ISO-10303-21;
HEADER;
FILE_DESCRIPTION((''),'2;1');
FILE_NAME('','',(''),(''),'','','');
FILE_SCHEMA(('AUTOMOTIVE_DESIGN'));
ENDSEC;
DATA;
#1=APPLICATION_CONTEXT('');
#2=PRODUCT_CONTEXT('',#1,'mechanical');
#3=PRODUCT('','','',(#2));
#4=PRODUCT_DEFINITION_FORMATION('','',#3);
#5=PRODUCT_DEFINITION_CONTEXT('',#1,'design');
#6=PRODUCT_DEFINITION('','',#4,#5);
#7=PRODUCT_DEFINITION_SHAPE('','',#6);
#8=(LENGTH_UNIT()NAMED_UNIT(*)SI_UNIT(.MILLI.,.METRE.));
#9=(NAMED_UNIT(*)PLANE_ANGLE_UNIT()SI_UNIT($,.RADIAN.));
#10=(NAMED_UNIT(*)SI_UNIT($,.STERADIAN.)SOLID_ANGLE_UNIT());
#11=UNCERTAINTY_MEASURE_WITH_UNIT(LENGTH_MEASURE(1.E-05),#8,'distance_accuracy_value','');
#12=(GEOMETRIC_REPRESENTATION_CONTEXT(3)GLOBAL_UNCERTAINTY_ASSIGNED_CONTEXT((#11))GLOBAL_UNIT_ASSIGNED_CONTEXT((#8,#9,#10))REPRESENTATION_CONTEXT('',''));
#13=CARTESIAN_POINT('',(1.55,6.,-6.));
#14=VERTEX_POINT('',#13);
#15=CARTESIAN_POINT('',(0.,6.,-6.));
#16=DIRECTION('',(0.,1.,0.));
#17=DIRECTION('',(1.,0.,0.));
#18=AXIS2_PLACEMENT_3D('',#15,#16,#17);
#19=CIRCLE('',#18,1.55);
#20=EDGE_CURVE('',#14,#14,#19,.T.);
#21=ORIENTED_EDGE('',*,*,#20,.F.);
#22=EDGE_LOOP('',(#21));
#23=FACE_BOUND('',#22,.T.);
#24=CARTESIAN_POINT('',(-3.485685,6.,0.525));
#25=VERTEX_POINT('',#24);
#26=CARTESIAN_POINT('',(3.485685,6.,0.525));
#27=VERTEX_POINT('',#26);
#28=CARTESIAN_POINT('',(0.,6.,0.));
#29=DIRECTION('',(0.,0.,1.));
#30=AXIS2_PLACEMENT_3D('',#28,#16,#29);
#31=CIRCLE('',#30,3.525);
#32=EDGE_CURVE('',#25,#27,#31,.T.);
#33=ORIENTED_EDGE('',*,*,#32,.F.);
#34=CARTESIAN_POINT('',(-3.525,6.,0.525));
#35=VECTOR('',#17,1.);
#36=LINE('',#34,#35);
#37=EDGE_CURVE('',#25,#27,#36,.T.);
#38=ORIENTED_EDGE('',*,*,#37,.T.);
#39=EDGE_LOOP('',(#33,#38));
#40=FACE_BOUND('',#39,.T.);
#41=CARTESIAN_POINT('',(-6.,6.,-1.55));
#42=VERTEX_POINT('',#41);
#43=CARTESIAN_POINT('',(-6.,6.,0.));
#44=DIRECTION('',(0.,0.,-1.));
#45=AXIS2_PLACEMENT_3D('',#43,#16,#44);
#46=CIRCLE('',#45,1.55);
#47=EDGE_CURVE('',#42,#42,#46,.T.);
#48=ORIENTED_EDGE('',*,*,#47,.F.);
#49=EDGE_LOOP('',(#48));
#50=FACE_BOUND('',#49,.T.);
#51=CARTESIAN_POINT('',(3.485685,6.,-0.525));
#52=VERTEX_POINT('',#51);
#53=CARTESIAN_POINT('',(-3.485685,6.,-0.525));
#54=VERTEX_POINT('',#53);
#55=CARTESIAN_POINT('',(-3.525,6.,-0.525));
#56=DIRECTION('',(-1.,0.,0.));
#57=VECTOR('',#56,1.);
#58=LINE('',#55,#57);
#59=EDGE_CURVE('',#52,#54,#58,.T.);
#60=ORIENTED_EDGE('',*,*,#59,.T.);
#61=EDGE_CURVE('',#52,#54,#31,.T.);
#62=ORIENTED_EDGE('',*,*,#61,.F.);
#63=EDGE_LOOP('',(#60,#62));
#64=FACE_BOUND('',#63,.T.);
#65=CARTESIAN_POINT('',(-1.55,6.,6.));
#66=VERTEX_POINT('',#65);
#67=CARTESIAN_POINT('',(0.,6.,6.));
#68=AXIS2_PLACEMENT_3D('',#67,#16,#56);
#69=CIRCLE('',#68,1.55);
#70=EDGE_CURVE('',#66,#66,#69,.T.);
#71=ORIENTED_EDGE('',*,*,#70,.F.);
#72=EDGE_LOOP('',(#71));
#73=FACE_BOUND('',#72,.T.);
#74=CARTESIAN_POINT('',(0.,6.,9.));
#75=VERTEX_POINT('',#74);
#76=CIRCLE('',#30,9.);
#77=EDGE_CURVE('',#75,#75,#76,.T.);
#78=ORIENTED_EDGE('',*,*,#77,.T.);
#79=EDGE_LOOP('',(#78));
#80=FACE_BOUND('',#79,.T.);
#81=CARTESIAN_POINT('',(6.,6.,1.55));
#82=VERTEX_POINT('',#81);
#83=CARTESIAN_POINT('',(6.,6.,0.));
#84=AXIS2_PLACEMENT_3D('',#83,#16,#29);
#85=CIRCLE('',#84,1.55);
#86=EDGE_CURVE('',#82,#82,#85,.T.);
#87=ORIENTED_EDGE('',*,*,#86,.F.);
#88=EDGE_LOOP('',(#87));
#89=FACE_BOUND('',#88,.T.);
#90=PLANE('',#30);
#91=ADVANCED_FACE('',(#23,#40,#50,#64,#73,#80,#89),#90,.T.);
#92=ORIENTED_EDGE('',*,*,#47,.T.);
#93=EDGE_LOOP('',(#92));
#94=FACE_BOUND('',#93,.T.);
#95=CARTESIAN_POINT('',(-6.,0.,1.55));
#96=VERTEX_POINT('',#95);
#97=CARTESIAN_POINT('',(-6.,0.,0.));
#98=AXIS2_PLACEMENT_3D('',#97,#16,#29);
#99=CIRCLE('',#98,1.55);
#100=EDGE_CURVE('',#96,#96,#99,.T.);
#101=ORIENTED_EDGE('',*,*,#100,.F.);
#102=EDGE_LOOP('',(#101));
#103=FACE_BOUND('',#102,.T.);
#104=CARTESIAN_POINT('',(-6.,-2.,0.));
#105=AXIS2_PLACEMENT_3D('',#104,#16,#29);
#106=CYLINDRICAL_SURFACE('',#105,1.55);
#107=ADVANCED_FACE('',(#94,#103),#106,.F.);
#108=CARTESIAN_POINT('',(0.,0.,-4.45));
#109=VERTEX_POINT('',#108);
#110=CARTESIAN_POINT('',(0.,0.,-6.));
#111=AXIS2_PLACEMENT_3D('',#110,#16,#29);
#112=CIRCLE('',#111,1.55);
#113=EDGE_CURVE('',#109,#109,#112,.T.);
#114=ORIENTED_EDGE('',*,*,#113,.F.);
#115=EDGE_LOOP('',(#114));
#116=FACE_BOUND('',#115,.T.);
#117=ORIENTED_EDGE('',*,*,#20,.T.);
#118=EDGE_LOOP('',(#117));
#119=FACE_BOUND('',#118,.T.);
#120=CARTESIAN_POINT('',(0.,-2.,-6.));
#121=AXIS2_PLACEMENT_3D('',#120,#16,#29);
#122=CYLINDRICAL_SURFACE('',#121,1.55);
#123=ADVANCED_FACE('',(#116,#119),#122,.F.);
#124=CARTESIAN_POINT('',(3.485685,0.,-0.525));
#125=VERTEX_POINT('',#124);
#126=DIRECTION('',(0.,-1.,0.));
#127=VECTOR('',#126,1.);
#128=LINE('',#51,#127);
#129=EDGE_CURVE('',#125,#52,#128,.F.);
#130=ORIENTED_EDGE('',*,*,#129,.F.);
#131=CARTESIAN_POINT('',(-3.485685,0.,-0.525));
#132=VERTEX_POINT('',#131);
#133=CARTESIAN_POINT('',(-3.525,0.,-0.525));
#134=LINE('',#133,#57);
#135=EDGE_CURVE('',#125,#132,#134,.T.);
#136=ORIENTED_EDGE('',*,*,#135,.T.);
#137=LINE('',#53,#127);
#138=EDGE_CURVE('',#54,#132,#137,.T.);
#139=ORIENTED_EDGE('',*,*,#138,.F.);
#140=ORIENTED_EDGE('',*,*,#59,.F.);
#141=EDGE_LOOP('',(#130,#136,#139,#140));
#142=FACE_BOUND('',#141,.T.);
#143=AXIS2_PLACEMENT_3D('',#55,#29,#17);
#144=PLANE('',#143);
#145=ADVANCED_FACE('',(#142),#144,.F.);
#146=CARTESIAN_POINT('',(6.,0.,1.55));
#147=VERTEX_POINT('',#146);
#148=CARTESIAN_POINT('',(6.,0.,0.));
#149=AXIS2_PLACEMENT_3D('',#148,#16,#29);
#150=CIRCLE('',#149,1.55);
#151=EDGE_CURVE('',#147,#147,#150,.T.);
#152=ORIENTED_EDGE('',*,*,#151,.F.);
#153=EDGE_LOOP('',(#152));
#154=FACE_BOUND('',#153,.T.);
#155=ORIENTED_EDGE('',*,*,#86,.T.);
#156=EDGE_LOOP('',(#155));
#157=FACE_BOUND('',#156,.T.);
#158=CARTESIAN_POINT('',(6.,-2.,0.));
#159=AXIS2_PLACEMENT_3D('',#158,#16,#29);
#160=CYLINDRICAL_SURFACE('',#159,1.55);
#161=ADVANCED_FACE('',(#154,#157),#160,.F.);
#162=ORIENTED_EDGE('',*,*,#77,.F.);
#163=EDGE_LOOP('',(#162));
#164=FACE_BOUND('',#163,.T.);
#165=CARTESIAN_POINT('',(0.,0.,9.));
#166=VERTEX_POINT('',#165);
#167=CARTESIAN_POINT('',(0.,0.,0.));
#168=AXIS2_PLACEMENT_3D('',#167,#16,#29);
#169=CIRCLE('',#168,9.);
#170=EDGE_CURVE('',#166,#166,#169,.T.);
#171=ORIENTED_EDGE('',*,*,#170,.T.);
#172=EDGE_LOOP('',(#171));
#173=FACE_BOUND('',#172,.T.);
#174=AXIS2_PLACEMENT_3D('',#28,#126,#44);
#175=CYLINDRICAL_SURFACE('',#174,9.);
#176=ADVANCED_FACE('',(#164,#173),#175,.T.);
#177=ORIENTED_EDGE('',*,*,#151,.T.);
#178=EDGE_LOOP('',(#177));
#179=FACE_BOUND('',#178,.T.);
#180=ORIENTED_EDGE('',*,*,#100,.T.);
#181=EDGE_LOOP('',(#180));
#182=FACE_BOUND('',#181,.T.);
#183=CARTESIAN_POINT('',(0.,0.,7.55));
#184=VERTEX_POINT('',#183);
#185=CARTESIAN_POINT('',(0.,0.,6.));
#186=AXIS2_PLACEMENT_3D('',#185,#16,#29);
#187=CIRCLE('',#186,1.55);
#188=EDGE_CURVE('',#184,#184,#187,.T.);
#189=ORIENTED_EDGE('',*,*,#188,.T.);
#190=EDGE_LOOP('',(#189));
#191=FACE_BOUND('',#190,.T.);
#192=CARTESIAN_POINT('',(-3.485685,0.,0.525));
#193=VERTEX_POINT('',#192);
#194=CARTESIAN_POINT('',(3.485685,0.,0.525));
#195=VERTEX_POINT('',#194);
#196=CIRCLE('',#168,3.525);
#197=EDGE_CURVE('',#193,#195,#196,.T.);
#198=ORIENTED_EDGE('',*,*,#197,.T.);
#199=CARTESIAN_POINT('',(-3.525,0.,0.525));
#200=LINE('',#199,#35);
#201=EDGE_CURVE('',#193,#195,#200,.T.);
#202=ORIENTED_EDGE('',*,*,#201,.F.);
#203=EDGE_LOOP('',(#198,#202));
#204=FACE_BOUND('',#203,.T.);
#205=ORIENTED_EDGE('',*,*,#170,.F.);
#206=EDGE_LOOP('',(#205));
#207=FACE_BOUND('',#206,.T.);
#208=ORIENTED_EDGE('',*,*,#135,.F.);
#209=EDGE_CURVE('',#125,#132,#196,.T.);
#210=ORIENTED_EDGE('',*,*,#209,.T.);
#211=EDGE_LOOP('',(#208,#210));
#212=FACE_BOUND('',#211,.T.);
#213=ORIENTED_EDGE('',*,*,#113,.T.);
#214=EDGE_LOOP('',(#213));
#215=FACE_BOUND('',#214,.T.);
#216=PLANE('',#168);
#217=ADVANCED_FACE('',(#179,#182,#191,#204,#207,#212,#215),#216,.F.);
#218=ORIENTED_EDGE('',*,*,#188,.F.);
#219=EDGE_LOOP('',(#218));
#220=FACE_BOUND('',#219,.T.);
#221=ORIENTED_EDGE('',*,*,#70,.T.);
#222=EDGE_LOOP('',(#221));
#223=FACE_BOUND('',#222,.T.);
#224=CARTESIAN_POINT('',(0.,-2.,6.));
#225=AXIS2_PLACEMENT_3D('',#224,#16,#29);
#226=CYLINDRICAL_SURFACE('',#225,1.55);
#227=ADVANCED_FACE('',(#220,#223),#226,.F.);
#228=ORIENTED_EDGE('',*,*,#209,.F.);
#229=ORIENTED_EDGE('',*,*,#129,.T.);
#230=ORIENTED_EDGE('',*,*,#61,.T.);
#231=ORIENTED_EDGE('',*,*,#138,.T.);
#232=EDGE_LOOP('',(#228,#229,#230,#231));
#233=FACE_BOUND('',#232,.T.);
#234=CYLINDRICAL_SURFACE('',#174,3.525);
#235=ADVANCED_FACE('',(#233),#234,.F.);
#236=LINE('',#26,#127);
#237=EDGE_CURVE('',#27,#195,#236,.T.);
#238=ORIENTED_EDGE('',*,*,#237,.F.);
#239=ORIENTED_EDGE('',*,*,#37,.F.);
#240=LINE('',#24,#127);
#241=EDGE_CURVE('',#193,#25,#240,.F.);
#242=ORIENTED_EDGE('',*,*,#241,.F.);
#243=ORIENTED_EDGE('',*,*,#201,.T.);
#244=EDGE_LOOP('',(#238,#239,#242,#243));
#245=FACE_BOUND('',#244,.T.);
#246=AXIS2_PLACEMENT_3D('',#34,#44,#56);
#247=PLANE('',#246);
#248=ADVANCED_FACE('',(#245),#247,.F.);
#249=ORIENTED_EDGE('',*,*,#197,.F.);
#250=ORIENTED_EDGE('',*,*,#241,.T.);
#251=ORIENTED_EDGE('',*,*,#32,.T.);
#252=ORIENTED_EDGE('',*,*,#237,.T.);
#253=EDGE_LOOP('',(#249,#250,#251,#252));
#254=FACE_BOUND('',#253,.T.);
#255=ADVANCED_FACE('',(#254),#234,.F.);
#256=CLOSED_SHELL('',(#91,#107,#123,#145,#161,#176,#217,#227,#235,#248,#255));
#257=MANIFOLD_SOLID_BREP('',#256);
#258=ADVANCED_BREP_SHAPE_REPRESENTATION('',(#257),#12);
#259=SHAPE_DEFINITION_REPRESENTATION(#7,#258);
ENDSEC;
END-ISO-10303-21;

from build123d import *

# Parameters (mm, degrees)
SKETCH1_R           = 9
SKETCH1_R_2         = 3.525
BOSS_EXTRUDE1_DEPTH = 6
SKETCH2_W           = 7.05
SKETCH2_H           = 1.05
BOSS_EXTRUDE2_DEPTH = 6
SKETCH3_R           = 1.55
CUT_EXTRUDE1_DEPTH  = 8
CIRPATTERN1_COUNT   = 4


with BuildPart() as part:
    # Sketch1 → Boss-Extrude1 (new body)
    with BuildSketch(Plane(origin=(0, 0, 0), x_dir=(1, 0, 0), z_dir=(0, 1, 0))):
        Circle(SKETCH1_R)
        Circle(SKETCH1_R_2, mode=Mode.SUBTRACT)
    extrude(amount=BOSS_EXTRUDE1_DEPTH)

    # Sketch2 → Boss-Extrude2 (add)
    with BuildSketch(Plane(origin=(0, 0, 0), x_dir=(1, 0, 0), z_dir=(0, 1, 0))):
        Rectangle(SKETCH2_W, SKETCH2_H)
    extrude(amount=BOSS_EXTRUDE2_DEPTH)

    # Sketch3 → Cut-Extrude1 (cut)
    with BuildSketch(Plane(origin=(0, 6, 0), x_dir=(1, 0, 0), z_dir=(0, 1, 0))):
        with Locations((6, 0)):
            Circle(SKETCH3_R)
    cut_extrude1 = extrude(amount=-CUT_EXTRUDE1_DEPTH, mode=Mode.SUBTRACT)

    # CirPattern1: Cut-Extrude1 ×4 about axis
    cirpattern1_axis = Axis((0, 0, 0), (0, 1, 0))
    for i in range(1, CIRPATTERN1_COUNT):
        add(cut_extrude1.rotate(cirpattern1_axis, i * 360 / CIRPATTERN1_COUNT), mode=Mode.SUBTRACT)


solid = part.part
